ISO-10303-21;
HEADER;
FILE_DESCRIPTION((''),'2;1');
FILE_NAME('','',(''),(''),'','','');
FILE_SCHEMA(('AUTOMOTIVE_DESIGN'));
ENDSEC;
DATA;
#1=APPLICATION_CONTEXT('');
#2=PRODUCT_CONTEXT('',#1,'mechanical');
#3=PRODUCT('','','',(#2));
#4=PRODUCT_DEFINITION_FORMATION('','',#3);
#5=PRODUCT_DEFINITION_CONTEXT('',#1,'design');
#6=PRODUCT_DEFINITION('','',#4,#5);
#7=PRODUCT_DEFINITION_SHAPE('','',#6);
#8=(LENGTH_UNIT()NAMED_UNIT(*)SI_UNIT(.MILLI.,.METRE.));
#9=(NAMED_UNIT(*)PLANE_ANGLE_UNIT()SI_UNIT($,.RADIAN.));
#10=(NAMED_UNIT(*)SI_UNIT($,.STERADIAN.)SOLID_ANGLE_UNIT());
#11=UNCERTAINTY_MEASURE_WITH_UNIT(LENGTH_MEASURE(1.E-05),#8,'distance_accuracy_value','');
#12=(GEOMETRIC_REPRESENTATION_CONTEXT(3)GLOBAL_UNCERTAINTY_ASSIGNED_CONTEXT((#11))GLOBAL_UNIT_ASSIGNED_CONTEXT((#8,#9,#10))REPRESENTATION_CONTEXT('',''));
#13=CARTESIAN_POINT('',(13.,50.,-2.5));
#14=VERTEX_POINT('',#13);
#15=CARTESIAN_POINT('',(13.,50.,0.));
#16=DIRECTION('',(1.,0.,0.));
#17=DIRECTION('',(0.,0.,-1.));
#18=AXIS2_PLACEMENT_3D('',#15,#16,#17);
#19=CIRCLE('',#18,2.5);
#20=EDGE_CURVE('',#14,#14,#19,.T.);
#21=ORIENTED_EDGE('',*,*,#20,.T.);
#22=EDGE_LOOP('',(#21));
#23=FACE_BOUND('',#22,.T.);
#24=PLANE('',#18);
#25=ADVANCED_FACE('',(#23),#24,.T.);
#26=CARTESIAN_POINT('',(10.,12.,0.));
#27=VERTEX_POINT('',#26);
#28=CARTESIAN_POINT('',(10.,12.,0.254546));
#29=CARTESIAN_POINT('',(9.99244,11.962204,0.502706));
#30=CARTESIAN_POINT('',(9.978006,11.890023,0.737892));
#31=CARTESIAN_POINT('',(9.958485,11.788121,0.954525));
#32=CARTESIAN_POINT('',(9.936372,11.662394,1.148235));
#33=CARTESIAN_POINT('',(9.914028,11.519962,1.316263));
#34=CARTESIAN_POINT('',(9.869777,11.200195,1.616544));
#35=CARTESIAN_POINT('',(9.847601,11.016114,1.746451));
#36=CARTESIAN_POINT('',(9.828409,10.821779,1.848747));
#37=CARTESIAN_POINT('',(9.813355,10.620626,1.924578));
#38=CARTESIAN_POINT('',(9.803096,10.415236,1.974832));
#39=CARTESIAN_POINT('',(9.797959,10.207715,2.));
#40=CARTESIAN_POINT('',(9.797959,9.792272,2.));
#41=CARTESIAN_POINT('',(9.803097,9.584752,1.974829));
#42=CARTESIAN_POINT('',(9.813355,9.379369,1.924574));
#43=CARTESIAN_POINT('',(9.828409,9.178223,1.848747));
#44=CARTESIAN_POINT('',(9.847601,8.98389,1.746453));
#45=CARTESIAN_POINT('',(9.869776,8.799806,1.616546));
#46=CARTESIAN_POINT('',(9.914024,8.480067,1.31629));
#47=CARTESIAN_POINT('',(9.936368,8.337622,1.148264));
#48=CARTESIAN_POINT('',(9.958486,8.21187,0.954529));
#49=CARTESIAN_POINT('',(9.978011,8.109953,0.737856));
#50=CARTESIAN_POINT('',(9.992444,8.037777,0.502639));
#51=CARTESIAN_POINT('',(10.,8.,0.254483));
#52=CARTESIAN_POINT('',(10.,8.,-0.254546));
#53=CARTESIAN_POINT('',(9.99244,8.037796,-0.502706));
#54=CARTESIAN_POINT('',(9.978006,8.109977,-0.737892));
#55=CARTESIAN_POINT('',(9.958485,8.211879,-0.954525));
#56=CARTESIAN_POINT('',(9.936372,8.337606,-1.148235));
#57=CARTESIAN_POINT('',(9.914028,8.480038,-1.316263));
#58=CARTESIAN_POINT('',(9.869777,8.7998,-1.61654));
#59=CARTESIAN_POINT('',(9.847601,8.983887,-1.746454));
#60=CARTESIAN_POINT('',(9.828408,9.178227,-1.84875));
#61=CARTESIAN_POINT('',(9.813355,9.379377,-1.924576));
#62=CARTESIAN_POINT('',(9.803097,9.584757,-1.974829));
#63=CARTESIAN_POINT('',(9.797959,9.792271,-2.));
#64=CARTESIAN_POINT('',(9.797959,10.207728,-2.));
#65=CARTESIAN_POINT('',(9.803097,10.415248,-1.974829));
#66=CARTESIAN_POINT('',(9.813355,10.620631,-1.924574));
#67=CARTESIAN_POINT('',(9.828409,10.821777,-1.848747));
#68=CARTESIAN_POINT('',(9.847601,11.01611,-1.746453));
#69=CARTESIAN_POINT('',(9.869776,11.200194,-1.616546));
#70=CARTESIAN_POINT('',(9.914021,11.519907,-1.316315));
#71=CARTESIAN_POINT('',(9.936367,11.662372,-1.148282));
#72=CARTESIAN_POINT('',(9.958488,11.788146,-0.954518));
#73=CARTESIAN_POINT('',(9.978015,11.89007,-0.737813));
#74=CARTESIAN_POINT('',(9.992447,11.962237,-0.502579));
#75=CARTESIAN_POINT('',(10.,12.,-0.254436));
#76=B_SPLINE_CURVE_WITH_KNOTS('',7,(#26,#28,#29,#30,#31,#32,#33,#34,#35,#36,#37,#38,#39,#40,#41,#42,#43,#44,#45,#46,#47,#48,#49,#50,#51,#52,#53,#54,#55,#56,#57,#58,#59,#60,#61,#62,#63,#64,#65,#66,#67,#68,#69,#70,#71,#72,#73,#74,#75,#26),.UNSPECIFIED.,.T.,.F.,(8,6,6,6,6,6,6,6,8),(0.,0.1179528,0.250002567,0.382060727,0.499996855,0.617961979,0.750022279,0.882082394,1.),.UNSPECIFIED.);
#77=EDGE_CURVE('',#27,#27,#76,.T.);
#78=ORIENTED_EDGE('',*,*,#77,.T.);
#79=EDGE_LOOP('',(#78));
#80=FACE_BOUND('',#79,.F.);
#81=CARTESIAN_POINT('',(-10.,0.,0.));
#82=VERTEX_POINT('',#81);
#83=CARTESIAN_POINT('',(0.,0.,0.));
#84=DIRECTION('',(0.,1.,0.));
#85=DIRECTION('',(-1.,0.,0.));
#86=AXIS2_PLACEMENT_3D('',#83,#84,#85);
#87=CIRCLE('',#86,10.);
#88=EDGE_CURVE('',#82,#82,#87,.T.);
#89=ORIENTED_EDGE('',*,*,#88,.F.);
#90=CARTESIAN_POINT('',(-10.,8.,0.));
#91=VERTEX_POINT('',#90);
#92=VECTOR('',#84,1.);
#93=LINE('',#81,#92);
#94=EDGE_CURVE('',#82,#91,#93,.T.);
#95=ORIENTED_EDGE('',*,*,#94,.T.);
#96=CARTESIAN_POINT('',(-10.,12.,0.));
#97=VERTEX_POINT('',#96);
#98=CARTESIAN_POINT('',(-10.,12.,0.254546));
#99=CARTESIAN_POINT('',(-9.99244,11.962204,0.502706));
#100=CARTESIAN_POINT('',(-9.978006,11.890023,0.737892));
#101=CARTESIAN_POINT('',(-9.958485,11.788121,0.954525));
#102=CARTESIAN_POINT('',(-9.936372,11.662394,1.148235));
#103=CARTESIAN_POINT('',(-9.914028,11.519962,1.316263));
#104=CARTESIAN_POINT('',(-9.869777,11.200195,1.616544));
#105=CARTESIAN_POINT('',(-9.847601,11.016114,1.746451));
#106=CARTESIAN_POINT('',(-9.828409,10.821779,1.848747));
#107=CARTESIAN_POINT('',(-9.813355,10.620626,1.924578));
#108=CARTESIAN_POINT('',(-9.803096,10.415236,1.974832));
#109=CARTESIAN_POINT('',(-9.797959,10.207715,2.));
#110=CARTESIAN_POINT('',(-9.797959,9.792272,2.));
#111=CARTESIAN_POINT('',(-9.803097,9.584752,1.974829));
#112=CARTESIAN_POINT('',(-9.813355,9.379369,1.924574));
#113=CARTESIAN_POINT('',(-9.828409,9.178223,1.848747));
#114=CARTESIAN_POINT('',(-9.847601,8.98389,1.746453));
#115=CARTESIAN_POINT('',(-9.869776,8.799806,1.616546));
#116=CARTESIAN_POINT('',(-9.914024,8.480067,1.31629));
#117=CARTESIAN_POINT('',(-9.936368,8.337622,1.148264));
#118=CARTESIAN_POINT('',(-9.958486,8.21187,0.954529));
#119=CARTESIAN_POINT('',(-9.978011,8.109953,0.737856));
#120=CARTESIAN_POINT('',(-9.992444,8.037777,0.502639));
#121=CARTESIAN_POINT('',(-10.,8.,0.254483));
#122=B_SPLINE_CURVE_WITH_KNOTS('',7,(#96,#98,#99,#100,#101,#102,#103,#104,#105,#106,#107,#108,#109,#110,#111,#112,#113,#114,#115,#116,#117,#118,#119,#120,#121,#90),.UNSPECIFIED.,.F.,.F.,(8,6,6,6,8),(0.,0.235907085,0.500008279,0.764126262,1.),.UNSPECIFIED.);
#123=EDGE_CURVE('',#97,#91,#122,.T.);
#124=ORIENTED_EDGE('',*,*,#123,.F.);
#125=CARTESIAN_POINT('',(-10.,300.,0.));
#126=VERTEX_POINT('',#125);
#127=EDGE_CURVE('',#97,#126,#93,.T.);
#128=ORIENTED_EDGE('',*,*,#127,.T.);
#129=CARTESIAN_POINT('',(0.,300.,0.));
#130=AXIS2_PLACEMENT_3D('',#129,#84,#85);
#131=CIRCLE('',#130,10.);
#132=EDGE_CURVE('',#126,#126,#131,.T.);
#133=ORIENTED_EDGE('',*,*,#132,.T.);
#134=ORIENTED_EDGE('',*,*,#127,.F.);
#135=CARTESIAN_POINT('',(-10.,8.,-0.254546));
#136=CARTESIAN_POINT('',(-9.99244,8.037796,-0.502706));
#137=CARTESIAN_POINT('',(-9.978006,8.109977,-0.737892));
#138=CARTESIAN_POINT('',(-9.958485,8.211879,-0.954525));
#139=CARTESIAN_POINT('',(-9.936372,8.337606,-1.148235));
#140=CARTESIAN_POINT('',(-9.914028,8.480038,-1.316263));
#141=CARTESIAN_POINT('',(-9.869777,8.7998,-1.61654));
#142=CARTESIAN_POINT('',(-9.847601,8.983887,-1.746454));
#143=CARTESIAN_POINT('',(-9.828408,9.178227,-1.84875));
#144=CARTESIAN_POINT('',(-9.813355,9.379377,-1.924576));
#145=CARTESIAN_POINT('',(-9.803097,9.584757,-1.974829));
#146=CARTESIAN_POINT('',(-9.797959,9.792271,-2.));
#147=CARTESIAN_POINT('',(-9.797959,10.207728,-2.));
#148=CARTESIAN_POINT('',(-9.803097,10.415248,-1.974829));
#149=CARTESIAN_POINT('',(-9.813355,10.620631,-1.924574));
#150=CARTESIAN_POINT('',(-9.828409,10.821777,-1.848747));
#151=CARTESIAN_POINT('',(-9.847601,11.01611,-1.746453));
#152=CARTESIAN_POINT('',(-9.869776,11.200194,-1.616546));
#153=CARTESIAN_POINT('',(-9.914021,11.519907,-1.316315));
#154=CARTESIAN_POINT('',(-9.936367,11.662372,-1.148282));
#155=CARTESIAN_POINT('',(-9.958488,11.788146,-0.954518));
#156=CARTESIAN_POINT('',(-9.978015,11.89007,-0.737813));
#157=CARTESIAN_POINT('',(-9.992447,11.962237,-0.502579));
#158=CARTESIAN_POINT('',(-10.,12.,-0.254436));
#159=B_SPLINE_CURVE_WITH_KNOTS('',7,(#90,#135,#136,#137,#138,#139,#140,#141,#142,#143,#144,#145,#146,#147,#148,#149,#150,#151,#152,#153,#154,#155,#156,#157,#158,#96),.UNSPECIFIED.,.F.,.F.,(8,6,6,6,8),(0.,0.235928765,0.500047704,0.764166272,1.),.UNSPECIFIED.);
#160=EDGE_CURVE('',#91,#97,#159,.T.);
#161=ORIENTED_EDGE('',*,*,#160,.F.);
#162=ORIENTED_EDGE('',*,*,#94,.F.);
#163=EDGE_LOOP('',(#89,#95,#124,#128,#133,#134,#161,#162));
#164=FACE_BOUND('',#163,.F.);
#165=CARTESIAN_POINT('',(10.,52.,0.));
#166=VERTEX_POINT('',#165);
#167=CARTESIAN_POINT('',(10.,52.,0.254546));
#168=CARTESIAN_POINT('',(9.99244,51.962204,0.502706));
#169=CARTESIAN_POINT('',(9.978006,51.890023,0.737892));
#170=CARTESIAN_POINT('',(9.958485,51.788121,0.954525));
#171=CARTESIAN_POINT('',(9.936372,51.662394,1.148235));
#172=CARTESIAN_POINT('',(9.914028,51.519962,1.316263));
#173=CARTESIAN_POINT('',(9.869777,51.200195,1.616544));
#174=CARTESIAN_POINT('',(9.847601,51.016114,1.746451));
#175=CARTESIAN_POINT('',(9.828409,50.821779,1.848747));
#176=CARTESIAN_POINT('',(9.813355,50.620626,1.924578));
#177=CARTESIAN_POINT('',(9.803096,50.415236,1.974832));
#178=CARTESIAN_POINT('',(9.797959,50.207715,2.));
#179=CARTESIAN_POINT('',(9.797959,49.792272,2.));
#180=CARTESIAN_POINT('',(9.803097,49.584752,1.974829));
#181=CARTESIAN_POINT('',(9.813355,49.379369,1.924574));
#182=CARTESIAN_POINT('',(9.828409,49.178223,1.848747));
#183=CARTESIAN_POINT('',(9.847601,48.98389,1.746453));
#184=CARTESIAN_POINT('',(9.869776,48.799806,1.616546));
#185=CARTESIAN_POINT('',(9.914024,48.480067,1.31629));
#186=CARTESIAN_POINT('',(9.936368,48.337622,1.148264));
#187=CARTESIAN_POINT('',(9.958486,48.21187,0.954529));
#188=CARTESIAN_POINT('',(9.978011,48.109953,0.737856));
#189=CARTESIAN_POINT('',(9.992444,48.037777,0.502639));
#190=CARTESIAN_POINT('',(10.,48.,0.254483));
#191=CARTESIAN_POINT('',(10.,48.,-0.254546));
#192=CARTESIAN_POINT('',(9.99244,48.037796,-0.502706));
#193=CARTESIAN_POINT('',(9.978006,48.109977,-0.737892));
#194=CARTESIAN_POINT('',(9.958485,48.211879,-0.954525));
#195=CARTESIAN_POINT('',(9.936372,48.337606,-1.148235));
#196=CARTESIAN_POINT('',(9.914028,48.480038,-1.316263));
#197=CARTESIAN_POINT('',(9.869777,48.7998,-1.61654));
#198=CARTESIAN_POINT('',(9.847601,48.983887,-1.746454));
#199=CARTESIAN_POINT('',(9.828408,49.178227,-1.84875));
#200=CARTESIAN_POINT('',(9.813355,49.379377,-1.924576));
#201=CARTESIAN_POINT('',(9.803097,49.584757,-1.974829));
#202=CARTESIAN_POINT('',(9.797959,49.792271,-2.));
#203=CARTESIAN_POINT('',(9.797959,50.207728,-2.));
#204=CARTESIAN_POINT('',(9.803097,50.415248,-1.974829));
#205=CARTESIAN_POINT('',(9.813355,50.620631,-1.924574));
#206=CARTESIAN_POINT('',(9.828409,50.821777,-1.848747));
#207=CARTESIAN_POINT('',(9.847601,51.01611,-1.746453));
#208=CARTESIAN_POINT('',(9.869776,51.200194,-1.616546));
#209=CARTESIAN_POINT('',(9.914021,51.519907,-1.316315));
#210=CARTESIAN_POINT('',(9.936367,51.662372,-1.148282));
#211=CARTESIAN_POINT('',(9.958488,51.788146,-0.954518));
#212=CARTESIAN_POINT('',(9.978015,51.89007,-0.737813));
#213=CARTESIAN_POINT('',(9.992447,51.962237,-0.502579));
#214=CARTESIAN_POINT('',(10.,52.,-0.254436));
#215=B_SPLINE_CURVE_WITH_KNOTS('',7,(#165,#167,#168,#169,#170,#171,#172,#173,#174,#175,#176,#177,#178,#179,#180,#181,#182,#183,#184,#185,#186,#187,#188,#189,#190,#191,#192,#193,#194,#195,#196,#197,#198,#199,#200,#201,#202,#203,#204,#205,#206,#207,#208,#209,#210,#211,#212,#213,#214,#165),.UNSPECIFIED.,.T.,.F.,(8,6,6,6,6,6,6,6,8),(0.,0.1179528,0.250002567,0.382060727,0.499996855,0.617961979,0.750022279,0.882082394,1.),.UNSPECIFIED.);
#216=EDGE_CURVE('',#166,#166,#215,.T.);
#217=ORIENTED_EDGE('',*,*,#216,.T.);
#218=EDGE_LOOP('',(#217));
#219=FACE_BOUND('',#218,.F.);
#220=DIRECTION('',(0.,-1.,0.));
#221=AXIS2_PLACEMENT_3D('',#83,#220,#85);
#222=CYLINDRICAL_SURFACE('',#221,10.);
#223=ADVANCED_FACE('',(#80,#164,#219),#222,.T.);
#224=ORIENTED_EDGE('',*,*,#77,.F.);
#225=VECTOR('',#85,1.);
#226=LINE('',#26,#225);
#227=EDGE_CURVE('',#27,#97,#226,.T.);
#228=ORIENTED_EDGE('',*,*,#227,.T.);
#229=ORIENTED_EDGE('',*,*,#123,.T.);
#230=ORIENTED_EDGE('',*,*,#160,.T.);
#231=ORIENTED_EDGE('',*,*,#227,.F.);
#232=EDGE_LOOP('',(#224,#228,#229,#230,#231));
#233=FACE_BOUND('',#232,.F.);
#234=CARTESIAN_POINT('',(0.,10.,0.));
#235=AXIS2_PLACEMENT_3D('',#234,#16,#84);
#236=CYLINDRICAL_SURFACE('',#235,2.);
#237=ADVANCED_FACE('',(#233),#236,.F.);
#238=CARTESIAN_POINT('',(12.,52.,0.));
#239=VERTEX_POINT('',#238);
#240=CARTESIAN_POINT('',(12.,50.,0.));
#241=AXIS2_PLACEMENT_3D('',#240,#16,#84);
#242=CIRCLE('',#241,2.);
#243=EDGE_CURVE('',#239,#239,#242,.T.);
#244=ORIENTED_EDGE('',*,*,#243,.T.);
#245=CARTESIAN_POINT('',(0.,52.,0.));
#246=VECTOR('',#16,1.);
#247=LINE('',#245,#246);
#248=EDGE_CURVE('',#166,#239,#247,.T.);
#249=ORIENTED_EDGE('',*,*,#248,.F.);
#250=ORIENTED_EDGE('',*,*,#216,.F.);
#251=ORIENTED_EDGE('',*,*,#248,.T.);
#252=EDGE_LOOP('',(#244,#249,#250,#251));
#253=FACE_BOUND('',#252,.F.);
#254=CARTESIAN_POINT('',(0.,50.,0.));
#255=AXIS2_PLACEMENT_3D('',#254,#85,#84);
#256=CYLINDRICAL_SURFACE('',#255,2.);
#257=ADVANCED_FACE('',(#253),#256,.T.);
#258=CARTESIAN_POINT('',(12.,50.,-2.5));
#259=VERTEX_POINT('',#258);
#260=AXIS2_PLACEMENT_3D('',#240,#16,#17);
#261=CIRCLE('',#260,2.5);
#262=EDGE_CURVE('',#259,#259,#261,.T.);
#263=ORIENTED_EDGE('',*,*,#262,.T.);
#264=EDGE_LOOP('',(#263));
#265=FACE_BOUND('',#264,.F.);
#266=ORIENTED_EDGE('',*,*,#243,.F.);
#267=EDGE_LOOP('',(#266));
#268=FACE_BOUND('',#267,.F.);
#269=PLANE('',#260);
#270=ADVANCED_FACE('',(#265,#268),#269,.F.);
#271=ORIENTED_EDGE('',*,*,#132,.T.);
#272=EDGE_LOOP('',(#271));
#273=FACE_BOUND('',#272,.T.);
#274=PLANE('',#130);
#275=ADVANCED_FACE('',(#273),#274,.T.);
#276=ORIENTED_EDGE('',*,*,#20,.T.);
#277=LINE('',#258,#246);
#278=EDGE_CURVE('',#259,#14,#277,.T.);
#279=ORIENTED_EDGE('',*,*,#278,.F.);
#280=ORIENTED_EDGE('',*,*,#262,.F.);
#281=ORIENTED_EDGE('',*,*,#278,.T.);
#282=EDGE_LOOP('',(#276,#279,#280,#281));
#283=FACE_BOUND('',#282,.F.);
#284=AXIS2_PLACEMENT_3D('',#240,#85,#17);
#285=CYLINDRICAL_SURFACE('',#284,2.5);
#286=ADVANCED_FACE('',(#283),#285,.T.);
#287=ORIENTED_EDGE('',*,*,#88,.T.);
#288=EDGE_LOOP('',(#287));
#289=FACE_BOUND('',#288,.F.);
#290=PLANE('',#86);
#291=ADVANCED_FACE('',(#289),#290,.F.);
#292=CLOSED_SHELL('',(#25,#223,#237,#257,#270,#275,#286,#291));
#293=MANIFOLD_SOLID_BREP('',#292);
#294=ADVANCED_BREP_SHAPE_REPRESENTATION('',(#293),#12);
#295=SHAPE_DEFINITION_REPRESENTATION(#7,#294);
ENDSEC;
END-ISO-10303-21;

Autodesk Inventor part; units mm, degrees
ref_plane "YZ Plane" through (0, 0, 0) normal (1, 0, 0) x (0, 1, 0)
ref_plane "XZ Plane" through (0, 0, 0) normal (0, 1, 0) x (-1, 0, 0)
ref_plane "XY Plane" through (0, 0, 0) normal (0, 0, 1) x (1, 0, 0)
sketch "Sketch1" plane through (0, 0, 0) normal (0, 1, 0) x (-1, 0, 0)
  circle A0 centre (0, 0) radius 10
  dimension "d0" = 20
extrude "Extrusion1" add sketch "Sketch1" along normal blind 300
sketch "Sketch2" plane through (0, 0, 0) normal (1, 0, 0) x (0, 1, 0)
  circle A0 centre (10, 0) radius 2
  circle A1 centre (50, 0) radius 2
  point P0 (0, 0)
  dimension "d3" = 4
  dimension "d4" = 4
extrude "Extrusion2" cut sketch "Sketch2" along normal mid plane 21 contours A0
sketch "Sketch3" plane through (0, 0, 0) normal (1, 0, 0) x (0, 1, 0)
  circle A0 centre (50, 0) radius 2
  point P0 (0, 0)
  dimension "d7" = 4
extrude "Extrusion3" add sketch "Sketch3" along normal blind 12
sketch "Sketch4" plane through (12, 50, 0) normal (1, 0, 0) x (0, 0, -1)
  circle A0 centre (0, 0) radius 2 projected
  circle A1 centre (0, 0) radius 2.5
  point P0 (0, -50)
  dimension "d10" = 5
extrude "Extrusion4" add sketch "Sketch4" along normal blind 1 contours A0 | A1
properties part number "trail 9"
